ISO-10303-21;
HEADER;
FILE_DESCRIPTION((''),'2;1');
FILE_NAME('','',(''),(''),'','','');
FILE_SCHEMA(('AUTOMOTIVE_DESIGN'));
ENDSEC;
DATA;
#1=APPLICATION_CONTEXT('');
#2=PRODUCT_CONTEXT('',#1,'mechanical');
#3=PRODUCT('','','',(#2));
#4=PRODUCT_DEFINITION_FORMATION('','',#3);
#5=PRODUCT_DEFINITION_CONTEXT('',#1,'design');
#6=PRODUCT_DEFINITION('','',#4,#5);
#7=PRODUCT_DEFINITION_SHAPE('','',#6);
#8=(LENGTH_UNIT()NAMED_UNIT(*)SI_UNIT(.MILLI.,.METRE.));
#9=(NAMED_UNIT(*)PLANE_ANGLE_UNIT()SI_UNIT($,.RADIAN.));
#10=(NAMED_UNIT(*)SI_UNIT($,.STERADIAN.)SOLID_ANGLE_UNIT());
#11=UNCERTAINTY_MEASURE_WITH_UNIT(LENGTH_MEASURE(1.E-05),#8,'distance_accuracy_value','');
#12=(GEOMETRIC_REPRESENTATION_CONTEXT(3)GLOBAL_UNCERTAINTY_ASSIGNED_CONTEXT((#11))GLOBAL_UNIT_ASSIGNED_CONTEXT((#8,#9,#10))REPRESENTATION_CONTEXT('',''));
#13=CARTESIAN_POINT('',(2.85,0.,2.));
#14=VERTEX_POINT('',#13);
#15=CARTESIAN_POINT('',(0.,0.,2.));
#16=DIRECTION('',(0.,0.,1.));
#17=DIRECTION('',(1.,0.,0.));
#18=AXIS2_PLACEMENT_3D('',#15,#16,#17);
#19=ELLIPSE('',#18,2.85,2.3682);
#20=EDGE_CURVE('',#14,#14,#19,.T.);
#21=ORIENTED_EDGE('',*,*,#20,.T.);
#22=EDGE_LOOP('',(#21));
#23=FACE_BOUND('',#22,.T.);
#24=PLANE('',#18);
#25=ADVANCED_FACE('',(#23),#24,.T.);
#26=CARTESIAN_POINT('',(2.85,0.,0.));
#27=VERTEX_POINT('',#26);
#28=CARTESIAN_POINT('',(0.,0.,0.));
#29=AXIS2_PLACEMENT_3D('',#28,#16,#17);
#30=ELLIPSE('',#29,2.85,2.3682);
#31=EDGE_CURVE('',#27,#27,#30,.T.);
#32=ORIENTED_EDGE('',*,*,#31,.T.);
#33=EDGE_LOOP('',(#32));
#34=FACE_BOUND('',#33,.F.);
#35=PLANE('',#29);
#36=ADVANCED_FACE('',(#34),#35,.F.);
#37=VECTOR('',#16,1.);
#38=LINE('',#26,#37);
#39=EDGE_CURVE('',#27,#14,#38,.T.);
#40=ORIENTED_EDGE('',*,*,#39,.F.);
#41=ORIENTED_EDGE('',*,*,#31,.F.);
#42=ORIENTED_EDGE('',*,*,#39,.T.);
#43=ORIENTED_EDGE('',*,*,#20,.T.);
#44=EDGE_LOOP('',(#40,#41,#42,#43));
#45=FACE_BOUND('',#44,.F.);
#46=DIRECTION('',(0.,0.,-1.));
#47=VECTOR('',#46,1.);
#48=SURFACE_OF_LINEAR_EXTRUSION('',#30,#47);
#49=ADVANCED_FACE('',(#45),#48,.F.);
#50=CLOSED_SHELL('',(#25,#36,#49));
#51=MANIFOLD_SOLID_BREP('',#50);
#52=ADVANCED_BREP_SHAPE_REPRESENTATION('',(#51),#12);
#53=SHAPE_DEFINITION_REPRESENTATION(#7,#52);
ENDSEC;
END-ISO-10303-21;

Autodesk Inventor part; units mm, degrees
ref_plane "YZ Plane" through (0, 0, 0) normal (1, 0, 0) x (0, 1, 0)
ref_plane "XZ Plane" through (0, 0, 0) normal (0, 1, 0) x (-1, 0, 0)
ref_plane "XY Plane" through (0, 0, 0) normal (0, 0, 1) x (1, 0, 0)
sketch "Sketch1" plane through (0, 0, 0) normal (0, 0, 1) x (1, 0, 0)
  ellipse E0 centre (0, 0) end of major axis (-3, 0) minor radius 2.4928 projected
  ellipse E1 centre (0, 0) end of major axis (2.85, 0) minor radius 2.3682
extrude "Extrusion1" add sketch "Sketch1" along normal blind 2 contours E1
properties part number "RightCheekPeach"
